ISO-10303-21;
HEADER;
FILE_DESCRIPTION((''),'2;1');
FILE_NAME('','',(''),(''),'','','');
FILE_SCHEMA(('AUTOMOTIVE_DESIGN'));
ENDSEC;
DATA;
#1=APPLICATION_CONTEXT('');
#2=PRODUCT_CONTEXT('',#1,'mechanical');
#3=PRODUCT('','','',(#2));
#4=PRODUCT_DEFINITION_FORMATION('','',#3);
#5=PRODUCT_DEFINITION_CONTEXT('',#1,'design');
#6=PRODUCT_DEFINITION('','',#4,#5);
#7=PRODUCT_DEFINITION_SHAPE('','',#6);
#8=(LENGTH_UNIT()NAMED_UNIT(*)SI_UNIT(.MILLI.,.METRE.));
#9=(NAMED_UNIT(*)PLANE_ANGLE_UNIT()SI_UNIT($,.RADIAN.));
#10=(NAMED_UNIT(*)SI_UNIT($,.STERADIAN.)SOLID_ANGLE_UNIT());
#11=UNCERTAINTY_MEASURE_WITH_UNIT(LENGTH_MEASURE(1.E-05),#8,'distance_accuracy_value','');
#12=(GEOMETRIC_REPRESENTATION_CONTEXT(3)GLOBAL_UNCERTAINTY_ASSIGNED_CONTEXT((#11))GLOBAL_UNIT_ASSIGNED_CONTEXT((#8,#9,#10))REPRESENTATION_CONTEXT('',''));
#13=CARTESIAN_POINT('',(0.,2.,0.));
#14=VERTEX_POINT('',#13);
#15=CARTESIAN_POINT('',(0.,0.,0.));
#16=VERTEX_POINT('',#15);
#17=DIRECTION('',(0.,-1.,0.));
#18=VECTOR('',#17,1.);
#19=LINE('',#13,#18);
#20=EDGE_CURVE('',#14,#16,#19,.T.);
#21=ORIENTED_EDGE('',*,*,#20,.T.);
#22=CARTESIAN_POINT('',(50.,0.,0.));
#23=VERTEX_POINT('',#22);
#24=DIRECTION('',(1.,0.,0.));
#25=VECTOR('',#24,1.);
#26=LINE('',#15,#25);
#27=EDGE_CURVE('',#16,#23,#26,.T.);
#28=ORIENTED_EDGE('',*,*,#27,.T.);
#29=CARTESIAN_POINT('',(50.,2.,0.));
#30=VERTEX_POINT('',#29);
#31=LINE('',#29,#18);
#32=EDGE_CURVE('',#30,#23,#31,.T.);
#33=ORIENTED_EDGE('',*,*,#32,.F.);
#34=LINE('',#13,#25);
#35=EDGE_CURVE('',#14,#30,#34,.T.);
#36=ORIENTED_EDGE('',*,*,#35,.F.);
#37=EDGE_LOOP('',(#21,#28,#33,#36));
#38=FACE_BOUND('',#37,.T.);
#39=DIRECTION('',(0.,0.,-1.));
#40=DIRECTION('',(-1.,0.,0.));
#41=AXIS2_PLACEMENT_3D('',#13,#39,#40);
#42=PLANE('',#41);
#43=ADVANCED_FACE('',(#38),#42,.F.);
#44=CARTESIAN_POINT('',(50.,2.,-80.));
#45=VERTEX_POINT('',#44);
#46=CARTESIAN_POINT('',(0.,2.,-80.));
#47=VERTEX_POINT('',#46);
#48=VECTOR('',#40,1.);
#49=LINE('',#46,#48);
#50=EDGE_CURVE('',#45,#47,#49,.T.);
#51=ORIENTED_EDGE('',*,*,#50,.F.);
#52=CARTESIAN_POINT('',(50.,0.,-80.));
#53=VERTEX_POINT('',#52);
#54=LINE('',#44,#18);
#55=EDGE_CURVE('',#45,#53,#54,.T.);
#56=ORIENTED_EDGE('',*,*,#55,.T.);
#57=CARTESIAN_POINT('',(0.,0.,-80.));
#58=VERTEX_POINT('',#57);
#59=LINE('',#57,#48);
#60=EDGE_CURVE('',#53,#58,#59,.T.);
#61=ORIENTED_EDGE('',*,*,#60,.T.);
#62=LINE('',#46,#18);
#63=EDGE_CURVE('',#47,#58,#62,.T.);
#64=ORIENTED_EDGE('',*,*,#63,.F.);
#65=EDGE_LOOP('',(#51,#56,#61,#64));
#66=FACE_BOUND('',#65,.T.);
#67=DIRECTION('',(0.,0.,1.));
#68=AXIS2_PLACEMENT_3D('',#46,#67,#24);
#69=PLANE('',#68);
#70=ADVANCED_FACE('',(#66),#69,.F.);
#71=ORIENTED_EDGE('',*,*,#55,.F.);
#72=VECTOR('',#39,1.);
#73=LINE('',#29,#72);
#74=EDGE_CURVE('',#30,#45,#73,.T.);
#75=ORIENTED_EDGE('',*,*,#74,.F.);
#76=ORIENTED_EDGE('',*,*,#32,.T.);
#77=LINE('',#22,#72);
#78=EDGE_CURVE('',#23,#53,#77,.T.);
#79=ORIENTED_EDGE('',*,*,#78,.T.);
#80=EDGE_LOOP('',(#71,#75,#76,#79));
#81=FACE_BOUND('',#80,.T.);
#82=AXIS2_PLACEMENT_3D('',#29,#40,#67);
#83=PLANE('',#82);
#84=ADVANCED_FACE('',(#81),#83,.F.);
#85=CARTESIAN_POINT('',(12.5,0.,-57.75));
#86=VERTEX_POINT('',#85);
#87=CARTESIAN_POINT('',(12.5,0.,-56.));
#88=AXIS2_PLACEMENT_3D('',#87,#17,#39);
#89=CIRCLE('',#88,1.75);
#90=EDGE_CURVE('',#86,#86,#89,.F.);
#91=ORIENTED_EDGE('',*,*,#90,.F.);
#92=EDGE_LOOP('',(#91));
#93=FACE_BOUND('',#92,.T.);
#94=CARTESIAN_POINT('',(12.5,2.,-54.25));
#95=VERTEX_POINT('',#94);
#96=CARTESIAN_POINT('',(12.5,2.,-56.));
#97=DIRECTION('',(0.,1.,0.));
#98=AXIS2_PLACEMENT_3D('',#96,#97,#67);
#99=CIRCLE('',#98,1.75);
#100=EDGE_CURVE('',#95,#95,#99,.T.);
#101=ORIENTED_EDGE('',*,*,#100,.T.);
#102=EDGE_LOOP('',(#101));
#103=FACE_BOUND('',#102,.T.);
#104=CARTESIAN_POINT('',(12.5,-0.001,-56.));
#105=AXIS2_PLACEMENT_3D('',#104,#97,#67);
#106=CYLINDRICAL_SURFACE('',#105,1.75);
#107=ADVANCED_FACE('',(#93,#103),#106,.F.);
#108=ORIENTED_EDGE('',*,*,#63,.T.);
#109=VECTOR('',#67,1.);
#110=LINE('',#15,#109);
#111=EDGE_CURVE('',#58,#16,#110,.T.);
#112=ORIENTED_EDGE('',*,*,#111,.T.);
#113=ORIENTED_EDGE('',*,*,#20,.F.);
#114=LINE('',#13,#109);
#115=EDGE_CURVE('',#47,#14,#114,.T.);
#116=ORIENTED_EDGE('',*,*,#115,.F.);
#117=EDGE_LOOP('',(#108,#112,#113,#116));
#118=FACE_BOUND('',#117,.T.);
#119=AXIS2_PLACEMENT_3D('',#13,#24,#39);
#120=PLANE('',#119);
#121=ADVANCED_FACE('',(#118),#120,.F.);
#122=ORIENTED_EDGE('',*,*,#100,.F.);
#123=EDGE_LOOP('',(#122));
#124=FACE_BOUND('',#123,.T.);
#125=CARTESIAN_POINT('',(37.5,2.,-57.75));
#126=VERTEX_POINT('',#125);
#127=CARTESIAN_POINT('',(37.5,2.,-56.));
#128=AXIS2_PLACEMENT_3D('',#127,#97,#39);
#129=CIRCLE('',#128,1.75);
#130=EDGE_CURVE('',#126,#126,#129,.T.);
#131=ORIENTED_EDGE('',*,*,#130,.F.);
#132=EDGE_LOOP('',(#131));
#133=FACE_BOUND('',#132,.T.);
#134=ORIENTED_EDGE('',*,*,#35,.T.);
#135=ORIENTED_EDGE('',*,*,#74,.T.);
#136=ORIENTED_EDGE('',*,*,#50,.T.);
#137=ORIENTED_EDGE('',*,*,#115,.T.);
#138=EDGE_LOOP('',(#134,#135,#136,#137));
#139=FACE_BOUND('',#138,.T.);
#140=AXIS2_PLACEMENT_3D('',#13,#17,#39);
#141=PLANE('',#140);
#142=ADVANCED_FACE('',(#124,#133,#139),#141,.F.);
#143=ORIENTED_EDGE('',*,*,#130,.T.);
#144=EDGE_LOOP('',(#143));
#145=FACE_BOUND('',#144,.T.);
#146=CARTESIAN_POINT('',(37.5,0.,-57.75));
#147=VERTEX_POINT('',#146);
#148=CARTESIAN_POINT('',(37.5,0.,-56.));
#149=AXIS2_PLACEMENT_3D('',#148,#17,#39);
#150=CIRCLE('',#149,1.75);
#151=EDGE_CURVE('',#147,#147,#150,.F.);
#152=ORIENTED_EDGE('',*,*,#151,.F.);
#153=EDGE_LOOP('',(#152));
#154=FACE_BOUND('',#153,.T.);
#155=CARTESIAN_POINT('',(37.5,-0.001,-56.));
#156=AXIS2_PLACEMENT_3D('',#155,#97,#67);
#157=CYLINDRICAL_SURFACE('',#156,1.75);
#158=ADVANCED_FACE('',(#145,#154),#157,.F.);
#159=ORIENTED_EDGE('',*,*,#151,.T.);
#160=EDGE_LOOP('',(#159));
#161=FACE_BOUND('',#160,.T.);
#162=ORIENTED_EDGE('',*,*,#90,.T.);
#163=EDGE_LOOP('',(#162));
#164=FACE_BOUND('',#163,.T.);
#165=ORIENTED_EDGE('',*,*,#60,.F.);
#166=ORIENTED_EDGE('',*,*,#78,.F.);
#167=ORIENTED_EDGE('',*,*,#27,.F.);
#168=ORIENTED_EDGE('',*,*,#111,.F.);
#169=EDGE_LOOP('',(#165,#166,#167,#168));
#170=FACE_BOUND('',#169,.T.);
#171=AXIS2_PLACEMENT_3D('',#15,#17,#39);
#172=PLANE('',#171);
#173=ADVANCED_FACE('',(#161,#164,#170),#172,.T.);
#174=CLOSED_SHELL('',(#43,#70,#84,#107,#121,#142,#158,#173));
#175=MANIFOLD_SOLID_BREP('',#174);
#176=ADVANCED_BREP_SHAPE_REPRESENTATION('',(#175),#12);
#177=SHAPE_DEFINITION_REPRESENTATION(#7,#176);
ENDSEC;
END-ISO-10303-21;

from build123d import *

# Parameters (mm, degrees)
ESQUISSE1_W             = 50
ESQUISSE1_H             = 80
BOSS_EXTRU_1_DEPTH      = 2
ENL_V_MAT_EXTRU_1_REACH = 4
ESQUISSE2_R             = 1.75


with BuildPart() as part:
    # Esquisse1 → Boss.-Extru.1 (new body)
    with BuildSketch(Plane(origin=(0, 0, 0), x_dir=(1, 0, 0), z_dir=(0, 1, 0))):
        with Locations((25, 40)):
            Rectangle(ESQUISSE1_W, ESQUISSE1_H)
    extrude(amount=BOSS_EXTRU_1_DEPTH)

    # Esquisse2 → Enlèv. mat.-Extru.1 (cut, up to next)
    with BuildSketch(Plane(origin=(0, 2, 0), x_dir=(1, 0, 0), z_dir=(0, 1, 0)), mode=Mode.PRIVATE) as enl_v_mat_extru_1_sk1:
        with Locations((12.5, 56)):
            Circle(ESQUISSE2_R)
    enl_v_mat_extru_1_tool1 = extrude(enl_v_mat_extru_1_sk1.sketch, amount=-ENL_V_MAT_EXTRU_1_REACH, mode=Mode.PRIVATE) & part.part
    add(enl_v_mat_extru_1_tool1.solids().sort_by_distance((12.5, 2, -56))[0], mode=Mode.SUBTRACT)
    # Esquisse2 → Enlèv. mat.-Extru.1 (cut, up to next)
    with BuildSketch(Plane(origin=(0, 2, 0), x_dir=(1, 0, 0), z_dir=(0, 1, 0)), mode=Mode.PRIVATE) as enl_v_mat_extru_1_sk2:
        with Locations((37.5, 56)):
            Circle(ESQUISSE2_R)
    enl_v_mat_extru_1_tool2 = extrude(enl_v_mat_extru_1_sk2.sketch, amount=-ENL_V_MAT_EXTRU_1_REACH, mode=Mode.PRIVATE) & part.part
    add(enl_v_mat_extru_1_tool2.solids().sort_by_distance((37.5, 2, -56))[0], mode=Mode.SUBTRACT)


solid = part.part
